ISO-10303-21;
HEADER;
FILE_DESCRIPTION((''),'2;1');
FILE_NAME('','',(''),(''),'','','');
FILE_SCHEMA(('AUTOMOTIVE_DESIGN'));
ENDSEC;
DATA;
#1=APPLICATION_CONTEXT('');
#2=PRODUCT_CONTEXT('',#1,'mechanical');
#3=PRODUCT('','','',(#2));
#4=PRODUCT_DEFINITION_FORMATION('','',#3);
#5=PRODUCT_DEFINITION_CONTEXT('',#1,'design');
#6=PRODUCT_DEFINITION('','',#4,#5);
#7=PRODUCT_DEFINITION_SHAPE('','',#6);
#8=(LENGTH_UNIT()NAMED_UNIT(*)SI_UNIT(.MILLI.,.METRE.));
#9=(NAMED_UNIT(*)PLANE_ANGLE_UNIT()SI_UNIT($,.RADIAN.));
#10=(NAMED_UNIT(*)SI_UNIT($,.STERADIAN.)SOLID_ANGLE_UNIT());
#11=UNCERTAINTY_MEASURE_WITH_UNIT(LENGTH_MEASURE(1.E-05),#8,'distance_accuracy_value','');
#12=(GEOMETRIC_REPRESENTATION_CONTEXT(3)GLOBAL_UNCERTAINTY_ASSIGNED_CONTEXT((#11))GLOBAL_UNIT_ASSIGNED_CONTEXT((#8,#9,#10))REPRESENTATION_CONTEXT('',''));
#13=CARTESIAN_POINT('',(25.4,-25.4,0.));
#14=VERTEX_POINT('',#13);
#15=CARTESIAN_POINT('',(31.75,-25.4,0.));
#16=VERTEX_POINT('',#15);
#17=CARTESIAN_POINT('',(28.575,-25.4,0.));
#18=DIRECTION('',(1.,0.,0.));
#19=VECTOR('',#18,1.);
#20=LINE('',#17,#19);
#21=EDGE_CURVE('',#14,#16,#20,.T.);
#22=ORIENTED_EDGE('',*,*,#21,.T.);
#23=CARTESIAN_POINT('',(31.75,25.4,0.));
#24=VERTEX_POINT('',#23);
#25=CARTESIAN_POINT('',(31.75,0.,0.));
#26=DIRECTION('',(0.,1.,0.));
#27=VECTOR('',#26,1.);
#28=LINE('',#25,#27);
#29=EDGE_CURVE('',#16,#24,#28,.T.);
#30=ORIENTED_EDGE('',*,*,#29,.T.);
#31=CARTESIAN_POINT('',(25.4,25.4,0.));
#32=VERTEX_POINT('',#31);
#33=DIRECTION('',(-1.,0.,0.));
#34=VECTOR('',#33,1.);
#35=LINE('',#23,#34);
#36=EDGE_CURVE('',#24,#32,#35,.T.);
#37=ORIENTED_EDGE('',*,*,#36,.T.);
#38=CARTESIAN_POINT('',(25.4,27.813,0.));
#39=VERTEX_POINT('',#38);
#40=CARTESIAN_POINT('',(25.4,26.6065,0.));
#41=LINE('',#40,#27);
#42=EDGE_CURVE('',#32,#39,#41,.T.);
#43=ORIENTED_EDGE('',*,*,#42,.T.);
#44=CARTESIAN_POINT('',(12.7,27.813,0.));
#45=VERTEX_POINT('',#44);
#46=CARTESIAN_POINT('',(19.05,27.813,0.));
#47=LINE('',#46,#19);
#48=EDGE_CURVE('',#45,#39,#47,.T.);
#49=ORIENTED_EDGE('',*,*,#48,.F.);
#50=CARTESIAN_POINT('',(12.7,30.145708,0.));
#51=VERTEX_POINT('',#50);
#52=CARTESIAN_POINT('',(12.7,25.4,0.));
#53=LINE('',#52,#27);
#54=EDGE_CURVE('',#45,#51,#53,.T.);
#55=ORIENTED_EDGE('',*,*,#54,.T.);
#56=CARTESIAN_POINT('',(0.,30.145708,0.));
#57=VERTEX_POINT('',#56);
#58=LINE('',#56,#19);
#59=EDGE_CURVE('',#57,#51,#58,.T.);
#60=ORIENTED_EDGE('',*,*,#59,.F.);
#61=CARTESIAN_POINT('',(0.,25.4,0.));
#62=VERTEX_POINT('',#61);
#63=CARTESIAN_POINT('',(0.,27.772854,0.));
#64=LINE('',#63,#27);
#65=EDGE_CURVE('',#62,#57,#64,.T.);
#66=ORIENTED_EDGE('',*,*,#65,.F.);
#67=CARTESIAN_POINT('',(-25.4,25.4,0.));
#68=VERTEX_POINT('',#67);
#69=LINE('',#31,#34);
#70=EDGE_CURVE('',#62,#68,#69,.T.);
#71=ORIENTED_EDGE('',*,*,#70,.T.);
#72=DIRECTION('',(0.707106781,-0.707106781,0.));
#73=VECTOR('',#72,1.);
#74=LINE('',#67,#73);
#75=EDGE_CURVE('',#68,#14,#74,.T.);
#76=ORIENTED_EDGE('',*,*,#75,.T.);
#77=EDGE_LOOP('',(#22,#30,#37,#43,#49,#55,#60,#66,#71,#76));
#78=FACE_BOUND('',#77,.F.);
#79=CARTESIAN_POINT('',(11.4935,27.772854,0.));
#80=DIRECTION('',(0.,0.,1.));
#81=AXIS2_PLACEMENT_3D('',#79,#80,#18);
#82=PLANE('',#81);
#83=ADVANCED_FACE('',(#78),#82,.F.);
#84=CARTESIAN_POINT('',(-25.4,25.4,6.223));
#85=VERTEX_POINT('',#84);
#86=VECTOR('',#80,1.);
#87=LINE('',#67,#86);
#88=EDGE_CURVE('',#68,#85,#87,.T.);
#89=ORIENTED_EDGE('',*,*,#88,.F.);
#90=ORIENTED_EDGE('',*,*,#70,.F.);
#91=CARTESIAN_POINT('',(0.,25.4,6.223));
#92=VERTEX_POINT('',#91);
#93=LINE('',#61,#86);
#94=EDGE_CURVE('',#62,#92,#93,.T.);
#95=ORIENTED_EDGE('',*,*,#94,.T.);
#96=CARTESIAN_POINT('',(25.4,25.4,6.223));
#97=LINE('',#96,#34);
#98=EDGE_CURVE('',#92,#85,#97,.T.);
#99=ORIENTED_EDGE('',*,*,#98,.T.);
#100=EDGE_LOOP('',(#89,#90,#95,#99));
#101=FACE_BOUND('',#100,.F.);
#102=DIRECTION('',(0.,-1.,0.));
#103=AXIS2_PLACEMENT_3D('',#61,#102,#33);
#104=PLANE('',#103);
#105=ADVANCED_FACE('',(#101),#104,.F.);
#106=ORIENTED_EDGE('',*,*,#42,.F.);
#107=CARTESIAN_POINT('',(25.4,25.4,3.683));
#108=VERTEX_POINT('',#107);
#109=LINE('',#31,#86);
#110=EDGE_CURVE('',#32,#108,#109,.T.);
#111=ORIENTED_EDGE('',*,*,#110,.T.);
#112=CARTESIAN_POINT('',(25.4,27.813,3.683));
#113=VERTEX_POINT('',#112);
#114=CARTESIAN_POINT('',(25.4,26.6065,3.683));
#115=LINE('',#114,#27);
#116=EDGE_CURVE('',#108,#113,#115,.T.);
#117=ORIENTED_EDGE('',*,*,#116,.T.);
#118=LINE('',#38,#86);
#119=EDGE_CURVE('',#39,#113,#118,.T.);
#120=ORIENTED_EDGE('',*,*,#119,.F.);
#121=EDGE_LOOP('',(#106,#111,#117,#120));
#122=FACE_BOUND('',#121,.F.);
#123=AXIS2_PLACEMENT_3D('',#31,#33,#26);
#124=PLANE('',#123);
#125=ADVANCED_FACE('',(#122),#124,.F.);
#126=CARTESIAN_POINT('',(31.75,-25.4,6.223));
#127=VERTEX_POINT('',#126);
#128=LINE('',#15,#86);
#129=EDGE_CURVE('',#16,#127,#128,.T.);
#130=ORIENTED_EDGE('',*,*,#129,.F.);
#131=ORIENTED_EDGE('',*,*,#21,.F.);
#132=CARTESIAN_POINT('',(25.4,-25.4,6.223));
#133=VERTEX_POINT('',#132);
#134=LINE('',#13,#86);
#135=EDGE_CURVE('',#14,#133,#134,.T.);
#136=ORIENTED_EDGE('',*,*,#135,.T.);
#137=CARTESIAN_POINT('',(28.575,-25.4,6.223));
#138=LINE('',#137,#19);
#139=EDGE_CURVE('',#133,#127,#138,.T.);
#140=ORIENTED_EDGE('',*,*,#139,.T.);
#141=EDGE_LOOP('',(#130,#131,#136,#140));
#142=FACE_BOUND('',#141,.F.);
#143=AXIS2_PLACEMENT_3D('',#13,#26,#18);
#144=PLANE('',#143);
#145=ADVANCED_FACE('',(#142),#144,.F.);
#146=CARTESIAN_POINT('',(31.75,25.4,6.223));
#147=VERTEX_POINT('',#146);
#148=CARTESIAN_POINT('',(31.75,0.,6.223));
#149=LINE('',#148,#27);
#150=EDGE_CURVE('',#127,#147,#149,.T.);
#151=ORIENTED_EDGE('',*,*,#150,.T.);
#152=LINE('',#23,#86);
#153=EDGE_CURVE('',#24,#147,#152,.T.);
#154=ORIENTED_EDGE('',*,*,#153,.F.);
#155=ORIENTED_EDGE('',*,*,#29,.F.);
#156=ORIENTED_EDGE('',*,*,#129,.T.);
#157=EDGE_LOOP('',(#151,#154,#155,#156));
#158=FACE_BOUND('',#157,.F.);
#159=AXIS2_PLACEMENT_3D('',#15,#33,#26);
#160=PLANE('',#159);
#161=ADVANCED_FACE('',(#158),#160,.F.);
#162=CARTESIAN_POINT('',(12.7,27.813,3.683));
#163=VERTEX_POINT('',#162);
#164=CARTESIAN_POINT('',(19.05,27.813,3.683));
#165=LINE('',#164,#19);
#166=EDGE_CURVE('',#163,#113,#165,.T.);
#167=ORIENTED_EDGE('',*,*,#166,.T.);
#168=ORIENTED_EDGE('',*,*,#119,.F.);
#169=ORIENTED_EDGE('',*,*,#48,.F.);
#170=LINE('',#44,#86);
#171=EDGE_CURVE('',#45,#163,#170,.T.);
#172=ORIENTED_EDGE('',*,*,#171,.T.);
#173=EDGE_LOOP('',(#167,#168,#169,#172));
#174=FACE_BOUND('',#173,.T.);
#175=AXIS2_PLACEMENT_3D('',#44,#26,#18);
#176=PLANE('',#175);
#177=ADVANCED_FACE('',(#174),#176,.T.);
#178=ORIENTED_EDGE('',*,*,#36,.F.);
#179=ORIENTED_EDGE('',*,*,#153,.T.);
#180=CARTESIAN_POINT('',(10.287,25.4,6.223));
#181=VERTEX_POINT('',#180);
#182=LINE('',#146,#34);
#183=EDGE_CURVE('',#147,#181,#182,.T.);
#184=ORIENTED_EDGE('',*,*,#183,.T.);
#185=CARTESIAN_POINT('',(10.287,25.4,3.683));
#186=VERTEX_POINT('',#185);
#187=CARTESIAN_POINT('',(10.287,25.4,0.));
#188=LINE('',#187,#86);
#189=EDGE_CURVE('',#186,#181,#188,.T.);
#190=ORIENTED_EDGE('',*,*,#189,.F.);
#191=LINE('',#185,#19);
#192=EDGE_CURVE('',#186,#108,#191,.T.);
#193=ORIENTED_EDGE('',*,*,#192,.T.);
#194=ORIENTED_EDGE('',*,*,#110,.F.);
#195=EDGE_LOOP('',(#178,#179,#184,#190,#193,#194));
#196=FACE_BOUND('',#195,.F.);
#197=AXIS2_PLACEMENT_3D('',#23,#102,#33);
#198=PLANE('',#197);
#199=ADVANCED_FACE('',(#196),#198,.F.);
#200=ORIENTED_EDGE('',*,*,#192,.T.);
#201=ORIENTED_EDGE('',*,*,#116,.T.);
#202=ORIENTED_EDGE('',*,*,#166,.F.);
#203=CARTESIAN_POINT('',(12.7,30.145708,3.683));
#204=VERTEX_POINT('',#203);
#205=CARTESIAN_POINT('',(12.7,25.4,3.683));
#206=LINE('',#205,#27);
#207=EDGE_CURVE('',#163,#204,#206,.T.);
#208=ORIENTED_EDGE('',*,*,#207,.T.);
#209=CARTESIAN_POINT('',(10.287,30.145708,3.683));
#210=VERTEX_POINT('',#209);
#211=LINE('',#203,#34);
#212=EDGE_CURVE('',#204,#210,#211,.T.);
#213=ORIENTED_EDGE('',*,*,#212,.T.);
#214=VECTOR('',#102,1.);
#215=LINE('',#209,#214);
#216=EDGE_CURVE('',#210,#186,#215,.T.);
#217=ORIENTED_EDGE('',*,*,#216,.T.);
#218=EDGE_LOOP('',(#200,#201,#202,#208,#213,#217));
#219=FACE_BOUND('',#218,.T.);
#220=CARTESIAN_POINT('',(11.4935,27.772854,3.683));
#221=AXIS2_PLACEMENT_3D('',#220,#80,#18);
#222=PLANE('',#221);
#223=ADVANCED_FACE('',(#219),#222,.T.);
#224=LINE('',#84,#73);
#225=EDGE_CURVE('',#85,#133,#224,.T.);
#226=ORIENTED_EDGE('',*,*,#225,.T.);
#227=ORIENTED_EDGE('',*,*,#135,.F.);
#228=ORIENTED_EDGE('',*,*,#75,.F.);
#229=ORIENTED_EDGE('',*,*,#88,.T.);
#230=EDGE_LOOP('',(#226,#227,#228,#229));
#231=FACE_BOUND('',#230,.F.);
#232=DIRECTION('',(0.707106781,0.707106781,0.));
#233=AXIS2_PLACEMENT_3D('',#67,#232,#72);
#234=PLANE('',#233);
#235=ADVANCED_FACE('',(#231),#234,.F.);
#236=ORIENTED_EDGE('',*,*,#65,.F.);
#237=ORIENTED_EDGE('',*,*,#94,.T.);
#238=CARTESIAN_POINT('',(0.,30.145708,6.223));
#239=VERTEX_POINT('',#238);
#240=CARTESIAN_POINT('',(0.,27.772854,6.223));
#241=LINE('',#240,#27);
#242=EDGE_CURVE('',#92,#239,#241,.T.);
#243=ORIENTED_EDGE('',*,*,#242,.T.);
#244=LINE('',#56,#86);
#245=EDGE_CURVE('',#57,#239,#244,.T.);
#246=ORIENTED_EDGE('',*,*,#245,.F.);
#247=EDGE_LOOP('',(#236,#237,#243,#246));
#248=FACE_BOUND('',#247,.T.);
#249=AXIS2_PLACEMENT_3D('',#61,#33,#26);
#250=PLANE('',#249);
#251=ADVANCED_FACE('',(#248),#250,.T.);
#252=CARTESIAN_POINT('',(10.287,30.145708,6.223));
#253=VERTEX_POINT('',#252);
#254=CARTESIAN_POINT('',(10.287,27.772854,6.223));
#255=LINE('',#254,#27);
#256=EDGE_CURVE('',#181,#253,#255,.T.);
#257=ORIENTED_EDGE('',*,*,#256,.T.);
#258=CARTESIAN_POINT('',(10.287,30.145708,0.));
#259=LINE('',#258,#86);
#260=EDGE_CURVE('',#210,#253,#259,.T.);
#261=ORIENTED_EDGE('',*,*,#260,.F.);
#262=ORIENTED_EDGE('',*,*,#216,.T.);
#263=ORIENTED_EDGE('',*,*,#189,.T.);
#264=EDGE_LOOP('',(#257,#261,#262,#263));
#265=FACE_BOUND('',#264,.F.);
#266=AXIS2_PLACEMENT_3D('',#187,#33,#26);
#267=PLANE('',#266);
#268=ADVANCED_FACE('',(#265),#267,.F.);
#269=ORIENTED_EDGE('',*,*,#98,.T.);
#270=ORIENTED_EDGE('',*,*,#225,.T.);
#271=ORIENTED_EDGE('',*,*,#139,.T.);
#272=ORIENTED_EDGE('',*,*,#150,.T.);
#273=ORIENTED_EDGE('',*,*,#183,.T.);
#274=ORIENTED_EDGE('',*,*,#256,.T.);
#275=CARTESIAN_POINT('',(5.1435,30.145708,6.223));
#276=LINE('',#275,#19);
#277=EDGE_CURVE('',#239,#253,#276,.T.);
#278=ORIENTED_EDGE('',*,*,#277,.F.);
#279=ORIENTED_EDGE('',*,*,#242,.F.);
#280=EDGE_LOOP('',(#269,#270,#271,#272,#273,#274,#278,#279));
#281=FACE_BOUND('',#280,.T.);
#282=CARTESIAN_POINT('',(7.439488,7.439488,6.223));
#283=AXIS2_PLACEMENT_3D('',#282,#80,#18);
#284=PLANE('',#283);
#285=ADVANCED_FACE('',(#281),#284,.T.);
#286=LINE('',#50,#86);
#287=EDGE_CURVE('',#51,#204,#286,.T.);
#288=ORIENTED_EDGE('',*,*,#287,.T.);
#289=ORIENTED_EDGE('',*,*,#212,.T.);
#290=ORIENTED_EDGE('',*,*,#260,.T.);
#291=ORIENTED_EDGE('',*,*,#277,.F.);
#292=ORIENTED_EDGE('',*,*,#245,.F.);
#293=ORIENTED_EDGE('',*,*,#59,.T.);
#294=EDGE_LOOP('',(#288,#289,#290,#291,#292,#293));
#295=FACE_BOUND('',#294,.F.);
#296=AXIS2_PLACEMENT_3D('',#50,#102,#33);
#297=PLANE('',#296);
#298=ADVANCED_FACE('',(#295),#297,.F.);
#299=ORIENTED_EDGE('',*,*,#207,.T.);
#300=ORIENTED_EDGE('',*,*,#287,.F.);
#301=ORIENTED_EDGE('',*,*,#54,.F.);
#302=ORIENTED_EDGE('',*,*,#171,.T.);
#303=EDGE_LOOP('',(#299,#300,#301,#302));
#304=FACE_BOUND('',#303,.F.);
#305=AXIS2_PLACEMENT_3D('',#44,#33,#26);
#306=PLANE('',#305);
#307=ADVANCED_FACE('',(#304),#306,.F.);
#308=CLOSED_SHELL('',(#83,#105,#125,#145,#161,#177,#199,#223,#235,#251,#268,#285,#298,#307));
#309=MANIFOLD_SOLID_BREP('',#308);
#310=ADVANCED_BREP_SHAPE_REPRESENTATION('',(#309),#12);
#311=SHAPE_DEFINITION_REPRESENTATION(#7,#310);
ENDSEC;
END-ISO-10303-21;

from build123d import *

# Parameters (mm, degrees)
F0_W     = 10.287
F0_H     = 4.745708
F0_W_2   = 6.35
F0_H_2   = 50.8
F1_DEPTH = 6.223
F0_W_3   = 12.7
F0_H_3   = 2.413
F2_DEPTH = 3.683


with BuildPart() as f1:
    # F0 (on Top) → F1 (new body)
    with BuildSketch(Plane.XY):
        Polygon((-25.4, 25.4), (25.4, -25.4), (25.4, 25.4), (12.7, 25.4), (10.287, 25.4), (0, 25.4), align=None)
        with Locations((5.1435, 27.772854)):
            Rectangle(F0_W, F0_H)
        with Locations((28.575, 0)):
            Rectangle(F0_W_2, F0_H_2)
    extrude(amount=F1_DEPTH)

    # F0 (on Top) → F2 (join)
    with BuildSketch(Plane.XY):
        Polygon((10.287, 25.4), (12.7, 25.4), (12.7, 27.813), (12.7, 30.145708), (10.287, 30.145708), align=None)
        with Locations((19.05, 26.6065)):
            Rectangle(F0_W_3, F0_H_3)
    extrude(amount=F2_DEPTH)


solid = f1.part
